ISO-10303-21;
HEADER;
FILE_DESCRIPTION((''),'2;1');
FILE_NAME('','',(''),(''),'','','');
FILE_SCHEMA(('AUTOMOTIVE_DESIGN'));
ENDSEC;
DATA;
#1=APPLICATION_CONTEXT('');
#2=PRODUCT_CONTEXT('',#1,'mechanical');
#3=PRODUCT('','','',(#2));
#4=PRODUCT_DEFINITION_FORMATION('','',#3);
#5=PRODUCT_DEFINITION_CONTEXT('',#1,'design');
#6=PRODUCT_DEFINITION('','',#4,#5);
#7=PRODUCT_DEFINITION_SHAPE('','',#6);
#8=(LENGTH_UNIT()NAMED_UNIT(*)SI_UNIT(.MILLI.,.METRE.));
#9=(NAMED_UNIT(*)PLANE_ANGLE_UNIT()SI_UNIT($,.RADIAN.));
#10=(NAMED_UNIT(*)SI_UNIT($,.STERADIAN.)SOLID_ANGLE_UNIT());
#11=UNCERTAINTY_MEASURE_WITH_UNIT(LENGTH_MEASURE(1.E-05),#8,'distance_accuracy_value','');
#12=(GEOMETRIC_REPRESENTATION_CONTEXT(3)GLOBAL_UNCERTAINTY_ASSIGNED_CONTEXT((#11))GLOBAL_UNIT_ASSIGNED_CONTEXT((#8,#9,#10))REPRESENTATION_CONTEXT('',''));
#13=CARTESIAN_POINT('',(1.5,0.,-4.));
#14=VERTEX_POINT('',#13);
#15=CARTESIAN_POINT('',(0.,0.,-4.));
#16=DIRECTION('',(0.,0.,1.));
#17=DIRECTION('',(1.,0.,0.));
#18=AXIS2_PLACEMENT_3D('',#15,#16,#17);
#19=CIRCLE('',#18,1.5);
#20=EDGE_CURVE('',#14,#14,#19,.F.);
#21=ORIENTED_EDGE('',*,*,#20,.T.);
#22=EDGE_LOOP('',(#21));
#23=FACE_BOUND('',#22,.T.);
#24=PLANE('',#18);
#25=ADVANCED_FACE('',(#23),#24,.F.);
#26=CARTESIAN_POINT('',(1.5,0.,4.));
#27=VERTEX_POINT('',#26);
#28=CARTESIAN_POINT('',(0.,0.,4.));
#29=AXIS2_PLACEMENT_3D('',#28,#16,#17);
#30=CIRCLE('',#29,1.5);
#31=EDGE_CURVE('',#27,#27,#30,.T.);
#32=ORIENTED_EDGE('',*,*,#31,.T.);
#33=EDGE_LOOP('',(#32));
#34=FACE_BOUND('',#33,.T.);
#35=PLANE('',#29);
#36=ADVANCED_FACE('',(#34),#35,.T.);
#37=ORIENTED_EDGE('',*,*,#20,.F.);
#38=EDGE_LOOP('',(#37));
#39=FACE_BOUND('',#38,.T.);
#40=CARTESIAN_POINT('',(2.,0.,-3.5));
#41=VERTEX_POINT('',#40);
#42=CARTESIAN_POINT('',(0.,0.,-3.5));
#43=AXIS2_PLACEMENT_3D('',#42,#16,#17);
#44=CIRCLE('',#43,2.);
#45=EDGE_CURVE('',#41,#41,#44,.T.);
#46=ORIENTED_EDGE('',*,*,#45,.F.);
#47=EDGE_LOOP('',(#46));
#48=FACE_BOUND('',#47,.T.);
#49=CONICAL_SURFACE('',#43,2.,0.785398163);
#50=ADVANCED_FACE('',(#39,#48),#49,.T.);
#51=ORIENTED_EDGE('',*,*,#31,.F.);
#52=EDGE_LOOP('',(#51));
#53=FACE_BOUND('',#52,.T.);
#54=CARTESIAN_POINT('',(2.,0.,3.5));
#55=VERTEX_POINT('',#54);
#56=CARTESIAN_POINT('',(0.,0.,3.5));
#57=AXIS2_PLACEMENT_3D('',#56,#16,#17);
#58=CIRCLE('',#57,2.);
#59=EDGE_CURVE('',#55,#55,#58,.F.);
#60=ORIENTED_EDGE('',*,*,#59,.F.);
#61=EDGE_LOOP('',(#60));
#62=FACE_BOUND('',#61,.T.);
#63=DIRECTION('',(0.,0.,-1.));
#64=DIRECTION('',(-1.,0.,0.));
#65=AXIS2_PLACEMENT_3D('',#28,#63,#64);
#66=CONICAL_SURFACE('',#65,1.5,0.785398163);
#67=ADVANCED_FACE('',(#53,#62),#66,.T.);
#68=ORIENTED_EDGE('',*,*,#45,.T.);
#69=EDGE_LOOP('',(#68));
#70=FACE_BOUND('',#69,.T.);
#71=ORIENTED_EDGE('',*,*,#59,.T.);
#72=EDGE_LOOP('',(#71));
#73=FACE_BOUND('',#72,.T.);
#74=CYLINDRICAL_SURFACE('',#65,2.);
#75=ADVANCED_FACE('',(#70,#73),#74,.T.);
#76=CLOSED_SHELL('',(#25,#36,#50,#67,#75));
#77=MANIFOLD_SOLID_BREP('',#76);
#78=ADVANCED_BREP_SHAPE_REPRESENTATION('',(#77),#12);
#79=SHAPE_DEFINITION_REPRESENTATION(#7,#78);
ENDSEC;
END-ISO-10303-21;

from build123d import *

# Parameters (mm, degrees)
ESQUISSE1_R        = 2
BOSS_EXTRU_1_DEPTH = 4
CHANFREIN1_SIZE    = 0.5


with BuildPart() as part:
    # Esquisse1 → Boss.-Extru.1 (new, symmetric)
    with BuildSketch(Plane.XY):
        Circle(ESQUISSE1_R)
    extrude(amount=BOSS_EXTRU_1_DEPTH, both=True)

    # Chanfrein1
    chanfrein1_edges = [part.edges().sort_by_distance(p)[0] for p in [
        (-2, 0, -4),
        (-2, 0, 4),
    ]]
    chamfer(chanfrein1_edges, length=CHANFREIN1_SIZE)


solid = part.part
